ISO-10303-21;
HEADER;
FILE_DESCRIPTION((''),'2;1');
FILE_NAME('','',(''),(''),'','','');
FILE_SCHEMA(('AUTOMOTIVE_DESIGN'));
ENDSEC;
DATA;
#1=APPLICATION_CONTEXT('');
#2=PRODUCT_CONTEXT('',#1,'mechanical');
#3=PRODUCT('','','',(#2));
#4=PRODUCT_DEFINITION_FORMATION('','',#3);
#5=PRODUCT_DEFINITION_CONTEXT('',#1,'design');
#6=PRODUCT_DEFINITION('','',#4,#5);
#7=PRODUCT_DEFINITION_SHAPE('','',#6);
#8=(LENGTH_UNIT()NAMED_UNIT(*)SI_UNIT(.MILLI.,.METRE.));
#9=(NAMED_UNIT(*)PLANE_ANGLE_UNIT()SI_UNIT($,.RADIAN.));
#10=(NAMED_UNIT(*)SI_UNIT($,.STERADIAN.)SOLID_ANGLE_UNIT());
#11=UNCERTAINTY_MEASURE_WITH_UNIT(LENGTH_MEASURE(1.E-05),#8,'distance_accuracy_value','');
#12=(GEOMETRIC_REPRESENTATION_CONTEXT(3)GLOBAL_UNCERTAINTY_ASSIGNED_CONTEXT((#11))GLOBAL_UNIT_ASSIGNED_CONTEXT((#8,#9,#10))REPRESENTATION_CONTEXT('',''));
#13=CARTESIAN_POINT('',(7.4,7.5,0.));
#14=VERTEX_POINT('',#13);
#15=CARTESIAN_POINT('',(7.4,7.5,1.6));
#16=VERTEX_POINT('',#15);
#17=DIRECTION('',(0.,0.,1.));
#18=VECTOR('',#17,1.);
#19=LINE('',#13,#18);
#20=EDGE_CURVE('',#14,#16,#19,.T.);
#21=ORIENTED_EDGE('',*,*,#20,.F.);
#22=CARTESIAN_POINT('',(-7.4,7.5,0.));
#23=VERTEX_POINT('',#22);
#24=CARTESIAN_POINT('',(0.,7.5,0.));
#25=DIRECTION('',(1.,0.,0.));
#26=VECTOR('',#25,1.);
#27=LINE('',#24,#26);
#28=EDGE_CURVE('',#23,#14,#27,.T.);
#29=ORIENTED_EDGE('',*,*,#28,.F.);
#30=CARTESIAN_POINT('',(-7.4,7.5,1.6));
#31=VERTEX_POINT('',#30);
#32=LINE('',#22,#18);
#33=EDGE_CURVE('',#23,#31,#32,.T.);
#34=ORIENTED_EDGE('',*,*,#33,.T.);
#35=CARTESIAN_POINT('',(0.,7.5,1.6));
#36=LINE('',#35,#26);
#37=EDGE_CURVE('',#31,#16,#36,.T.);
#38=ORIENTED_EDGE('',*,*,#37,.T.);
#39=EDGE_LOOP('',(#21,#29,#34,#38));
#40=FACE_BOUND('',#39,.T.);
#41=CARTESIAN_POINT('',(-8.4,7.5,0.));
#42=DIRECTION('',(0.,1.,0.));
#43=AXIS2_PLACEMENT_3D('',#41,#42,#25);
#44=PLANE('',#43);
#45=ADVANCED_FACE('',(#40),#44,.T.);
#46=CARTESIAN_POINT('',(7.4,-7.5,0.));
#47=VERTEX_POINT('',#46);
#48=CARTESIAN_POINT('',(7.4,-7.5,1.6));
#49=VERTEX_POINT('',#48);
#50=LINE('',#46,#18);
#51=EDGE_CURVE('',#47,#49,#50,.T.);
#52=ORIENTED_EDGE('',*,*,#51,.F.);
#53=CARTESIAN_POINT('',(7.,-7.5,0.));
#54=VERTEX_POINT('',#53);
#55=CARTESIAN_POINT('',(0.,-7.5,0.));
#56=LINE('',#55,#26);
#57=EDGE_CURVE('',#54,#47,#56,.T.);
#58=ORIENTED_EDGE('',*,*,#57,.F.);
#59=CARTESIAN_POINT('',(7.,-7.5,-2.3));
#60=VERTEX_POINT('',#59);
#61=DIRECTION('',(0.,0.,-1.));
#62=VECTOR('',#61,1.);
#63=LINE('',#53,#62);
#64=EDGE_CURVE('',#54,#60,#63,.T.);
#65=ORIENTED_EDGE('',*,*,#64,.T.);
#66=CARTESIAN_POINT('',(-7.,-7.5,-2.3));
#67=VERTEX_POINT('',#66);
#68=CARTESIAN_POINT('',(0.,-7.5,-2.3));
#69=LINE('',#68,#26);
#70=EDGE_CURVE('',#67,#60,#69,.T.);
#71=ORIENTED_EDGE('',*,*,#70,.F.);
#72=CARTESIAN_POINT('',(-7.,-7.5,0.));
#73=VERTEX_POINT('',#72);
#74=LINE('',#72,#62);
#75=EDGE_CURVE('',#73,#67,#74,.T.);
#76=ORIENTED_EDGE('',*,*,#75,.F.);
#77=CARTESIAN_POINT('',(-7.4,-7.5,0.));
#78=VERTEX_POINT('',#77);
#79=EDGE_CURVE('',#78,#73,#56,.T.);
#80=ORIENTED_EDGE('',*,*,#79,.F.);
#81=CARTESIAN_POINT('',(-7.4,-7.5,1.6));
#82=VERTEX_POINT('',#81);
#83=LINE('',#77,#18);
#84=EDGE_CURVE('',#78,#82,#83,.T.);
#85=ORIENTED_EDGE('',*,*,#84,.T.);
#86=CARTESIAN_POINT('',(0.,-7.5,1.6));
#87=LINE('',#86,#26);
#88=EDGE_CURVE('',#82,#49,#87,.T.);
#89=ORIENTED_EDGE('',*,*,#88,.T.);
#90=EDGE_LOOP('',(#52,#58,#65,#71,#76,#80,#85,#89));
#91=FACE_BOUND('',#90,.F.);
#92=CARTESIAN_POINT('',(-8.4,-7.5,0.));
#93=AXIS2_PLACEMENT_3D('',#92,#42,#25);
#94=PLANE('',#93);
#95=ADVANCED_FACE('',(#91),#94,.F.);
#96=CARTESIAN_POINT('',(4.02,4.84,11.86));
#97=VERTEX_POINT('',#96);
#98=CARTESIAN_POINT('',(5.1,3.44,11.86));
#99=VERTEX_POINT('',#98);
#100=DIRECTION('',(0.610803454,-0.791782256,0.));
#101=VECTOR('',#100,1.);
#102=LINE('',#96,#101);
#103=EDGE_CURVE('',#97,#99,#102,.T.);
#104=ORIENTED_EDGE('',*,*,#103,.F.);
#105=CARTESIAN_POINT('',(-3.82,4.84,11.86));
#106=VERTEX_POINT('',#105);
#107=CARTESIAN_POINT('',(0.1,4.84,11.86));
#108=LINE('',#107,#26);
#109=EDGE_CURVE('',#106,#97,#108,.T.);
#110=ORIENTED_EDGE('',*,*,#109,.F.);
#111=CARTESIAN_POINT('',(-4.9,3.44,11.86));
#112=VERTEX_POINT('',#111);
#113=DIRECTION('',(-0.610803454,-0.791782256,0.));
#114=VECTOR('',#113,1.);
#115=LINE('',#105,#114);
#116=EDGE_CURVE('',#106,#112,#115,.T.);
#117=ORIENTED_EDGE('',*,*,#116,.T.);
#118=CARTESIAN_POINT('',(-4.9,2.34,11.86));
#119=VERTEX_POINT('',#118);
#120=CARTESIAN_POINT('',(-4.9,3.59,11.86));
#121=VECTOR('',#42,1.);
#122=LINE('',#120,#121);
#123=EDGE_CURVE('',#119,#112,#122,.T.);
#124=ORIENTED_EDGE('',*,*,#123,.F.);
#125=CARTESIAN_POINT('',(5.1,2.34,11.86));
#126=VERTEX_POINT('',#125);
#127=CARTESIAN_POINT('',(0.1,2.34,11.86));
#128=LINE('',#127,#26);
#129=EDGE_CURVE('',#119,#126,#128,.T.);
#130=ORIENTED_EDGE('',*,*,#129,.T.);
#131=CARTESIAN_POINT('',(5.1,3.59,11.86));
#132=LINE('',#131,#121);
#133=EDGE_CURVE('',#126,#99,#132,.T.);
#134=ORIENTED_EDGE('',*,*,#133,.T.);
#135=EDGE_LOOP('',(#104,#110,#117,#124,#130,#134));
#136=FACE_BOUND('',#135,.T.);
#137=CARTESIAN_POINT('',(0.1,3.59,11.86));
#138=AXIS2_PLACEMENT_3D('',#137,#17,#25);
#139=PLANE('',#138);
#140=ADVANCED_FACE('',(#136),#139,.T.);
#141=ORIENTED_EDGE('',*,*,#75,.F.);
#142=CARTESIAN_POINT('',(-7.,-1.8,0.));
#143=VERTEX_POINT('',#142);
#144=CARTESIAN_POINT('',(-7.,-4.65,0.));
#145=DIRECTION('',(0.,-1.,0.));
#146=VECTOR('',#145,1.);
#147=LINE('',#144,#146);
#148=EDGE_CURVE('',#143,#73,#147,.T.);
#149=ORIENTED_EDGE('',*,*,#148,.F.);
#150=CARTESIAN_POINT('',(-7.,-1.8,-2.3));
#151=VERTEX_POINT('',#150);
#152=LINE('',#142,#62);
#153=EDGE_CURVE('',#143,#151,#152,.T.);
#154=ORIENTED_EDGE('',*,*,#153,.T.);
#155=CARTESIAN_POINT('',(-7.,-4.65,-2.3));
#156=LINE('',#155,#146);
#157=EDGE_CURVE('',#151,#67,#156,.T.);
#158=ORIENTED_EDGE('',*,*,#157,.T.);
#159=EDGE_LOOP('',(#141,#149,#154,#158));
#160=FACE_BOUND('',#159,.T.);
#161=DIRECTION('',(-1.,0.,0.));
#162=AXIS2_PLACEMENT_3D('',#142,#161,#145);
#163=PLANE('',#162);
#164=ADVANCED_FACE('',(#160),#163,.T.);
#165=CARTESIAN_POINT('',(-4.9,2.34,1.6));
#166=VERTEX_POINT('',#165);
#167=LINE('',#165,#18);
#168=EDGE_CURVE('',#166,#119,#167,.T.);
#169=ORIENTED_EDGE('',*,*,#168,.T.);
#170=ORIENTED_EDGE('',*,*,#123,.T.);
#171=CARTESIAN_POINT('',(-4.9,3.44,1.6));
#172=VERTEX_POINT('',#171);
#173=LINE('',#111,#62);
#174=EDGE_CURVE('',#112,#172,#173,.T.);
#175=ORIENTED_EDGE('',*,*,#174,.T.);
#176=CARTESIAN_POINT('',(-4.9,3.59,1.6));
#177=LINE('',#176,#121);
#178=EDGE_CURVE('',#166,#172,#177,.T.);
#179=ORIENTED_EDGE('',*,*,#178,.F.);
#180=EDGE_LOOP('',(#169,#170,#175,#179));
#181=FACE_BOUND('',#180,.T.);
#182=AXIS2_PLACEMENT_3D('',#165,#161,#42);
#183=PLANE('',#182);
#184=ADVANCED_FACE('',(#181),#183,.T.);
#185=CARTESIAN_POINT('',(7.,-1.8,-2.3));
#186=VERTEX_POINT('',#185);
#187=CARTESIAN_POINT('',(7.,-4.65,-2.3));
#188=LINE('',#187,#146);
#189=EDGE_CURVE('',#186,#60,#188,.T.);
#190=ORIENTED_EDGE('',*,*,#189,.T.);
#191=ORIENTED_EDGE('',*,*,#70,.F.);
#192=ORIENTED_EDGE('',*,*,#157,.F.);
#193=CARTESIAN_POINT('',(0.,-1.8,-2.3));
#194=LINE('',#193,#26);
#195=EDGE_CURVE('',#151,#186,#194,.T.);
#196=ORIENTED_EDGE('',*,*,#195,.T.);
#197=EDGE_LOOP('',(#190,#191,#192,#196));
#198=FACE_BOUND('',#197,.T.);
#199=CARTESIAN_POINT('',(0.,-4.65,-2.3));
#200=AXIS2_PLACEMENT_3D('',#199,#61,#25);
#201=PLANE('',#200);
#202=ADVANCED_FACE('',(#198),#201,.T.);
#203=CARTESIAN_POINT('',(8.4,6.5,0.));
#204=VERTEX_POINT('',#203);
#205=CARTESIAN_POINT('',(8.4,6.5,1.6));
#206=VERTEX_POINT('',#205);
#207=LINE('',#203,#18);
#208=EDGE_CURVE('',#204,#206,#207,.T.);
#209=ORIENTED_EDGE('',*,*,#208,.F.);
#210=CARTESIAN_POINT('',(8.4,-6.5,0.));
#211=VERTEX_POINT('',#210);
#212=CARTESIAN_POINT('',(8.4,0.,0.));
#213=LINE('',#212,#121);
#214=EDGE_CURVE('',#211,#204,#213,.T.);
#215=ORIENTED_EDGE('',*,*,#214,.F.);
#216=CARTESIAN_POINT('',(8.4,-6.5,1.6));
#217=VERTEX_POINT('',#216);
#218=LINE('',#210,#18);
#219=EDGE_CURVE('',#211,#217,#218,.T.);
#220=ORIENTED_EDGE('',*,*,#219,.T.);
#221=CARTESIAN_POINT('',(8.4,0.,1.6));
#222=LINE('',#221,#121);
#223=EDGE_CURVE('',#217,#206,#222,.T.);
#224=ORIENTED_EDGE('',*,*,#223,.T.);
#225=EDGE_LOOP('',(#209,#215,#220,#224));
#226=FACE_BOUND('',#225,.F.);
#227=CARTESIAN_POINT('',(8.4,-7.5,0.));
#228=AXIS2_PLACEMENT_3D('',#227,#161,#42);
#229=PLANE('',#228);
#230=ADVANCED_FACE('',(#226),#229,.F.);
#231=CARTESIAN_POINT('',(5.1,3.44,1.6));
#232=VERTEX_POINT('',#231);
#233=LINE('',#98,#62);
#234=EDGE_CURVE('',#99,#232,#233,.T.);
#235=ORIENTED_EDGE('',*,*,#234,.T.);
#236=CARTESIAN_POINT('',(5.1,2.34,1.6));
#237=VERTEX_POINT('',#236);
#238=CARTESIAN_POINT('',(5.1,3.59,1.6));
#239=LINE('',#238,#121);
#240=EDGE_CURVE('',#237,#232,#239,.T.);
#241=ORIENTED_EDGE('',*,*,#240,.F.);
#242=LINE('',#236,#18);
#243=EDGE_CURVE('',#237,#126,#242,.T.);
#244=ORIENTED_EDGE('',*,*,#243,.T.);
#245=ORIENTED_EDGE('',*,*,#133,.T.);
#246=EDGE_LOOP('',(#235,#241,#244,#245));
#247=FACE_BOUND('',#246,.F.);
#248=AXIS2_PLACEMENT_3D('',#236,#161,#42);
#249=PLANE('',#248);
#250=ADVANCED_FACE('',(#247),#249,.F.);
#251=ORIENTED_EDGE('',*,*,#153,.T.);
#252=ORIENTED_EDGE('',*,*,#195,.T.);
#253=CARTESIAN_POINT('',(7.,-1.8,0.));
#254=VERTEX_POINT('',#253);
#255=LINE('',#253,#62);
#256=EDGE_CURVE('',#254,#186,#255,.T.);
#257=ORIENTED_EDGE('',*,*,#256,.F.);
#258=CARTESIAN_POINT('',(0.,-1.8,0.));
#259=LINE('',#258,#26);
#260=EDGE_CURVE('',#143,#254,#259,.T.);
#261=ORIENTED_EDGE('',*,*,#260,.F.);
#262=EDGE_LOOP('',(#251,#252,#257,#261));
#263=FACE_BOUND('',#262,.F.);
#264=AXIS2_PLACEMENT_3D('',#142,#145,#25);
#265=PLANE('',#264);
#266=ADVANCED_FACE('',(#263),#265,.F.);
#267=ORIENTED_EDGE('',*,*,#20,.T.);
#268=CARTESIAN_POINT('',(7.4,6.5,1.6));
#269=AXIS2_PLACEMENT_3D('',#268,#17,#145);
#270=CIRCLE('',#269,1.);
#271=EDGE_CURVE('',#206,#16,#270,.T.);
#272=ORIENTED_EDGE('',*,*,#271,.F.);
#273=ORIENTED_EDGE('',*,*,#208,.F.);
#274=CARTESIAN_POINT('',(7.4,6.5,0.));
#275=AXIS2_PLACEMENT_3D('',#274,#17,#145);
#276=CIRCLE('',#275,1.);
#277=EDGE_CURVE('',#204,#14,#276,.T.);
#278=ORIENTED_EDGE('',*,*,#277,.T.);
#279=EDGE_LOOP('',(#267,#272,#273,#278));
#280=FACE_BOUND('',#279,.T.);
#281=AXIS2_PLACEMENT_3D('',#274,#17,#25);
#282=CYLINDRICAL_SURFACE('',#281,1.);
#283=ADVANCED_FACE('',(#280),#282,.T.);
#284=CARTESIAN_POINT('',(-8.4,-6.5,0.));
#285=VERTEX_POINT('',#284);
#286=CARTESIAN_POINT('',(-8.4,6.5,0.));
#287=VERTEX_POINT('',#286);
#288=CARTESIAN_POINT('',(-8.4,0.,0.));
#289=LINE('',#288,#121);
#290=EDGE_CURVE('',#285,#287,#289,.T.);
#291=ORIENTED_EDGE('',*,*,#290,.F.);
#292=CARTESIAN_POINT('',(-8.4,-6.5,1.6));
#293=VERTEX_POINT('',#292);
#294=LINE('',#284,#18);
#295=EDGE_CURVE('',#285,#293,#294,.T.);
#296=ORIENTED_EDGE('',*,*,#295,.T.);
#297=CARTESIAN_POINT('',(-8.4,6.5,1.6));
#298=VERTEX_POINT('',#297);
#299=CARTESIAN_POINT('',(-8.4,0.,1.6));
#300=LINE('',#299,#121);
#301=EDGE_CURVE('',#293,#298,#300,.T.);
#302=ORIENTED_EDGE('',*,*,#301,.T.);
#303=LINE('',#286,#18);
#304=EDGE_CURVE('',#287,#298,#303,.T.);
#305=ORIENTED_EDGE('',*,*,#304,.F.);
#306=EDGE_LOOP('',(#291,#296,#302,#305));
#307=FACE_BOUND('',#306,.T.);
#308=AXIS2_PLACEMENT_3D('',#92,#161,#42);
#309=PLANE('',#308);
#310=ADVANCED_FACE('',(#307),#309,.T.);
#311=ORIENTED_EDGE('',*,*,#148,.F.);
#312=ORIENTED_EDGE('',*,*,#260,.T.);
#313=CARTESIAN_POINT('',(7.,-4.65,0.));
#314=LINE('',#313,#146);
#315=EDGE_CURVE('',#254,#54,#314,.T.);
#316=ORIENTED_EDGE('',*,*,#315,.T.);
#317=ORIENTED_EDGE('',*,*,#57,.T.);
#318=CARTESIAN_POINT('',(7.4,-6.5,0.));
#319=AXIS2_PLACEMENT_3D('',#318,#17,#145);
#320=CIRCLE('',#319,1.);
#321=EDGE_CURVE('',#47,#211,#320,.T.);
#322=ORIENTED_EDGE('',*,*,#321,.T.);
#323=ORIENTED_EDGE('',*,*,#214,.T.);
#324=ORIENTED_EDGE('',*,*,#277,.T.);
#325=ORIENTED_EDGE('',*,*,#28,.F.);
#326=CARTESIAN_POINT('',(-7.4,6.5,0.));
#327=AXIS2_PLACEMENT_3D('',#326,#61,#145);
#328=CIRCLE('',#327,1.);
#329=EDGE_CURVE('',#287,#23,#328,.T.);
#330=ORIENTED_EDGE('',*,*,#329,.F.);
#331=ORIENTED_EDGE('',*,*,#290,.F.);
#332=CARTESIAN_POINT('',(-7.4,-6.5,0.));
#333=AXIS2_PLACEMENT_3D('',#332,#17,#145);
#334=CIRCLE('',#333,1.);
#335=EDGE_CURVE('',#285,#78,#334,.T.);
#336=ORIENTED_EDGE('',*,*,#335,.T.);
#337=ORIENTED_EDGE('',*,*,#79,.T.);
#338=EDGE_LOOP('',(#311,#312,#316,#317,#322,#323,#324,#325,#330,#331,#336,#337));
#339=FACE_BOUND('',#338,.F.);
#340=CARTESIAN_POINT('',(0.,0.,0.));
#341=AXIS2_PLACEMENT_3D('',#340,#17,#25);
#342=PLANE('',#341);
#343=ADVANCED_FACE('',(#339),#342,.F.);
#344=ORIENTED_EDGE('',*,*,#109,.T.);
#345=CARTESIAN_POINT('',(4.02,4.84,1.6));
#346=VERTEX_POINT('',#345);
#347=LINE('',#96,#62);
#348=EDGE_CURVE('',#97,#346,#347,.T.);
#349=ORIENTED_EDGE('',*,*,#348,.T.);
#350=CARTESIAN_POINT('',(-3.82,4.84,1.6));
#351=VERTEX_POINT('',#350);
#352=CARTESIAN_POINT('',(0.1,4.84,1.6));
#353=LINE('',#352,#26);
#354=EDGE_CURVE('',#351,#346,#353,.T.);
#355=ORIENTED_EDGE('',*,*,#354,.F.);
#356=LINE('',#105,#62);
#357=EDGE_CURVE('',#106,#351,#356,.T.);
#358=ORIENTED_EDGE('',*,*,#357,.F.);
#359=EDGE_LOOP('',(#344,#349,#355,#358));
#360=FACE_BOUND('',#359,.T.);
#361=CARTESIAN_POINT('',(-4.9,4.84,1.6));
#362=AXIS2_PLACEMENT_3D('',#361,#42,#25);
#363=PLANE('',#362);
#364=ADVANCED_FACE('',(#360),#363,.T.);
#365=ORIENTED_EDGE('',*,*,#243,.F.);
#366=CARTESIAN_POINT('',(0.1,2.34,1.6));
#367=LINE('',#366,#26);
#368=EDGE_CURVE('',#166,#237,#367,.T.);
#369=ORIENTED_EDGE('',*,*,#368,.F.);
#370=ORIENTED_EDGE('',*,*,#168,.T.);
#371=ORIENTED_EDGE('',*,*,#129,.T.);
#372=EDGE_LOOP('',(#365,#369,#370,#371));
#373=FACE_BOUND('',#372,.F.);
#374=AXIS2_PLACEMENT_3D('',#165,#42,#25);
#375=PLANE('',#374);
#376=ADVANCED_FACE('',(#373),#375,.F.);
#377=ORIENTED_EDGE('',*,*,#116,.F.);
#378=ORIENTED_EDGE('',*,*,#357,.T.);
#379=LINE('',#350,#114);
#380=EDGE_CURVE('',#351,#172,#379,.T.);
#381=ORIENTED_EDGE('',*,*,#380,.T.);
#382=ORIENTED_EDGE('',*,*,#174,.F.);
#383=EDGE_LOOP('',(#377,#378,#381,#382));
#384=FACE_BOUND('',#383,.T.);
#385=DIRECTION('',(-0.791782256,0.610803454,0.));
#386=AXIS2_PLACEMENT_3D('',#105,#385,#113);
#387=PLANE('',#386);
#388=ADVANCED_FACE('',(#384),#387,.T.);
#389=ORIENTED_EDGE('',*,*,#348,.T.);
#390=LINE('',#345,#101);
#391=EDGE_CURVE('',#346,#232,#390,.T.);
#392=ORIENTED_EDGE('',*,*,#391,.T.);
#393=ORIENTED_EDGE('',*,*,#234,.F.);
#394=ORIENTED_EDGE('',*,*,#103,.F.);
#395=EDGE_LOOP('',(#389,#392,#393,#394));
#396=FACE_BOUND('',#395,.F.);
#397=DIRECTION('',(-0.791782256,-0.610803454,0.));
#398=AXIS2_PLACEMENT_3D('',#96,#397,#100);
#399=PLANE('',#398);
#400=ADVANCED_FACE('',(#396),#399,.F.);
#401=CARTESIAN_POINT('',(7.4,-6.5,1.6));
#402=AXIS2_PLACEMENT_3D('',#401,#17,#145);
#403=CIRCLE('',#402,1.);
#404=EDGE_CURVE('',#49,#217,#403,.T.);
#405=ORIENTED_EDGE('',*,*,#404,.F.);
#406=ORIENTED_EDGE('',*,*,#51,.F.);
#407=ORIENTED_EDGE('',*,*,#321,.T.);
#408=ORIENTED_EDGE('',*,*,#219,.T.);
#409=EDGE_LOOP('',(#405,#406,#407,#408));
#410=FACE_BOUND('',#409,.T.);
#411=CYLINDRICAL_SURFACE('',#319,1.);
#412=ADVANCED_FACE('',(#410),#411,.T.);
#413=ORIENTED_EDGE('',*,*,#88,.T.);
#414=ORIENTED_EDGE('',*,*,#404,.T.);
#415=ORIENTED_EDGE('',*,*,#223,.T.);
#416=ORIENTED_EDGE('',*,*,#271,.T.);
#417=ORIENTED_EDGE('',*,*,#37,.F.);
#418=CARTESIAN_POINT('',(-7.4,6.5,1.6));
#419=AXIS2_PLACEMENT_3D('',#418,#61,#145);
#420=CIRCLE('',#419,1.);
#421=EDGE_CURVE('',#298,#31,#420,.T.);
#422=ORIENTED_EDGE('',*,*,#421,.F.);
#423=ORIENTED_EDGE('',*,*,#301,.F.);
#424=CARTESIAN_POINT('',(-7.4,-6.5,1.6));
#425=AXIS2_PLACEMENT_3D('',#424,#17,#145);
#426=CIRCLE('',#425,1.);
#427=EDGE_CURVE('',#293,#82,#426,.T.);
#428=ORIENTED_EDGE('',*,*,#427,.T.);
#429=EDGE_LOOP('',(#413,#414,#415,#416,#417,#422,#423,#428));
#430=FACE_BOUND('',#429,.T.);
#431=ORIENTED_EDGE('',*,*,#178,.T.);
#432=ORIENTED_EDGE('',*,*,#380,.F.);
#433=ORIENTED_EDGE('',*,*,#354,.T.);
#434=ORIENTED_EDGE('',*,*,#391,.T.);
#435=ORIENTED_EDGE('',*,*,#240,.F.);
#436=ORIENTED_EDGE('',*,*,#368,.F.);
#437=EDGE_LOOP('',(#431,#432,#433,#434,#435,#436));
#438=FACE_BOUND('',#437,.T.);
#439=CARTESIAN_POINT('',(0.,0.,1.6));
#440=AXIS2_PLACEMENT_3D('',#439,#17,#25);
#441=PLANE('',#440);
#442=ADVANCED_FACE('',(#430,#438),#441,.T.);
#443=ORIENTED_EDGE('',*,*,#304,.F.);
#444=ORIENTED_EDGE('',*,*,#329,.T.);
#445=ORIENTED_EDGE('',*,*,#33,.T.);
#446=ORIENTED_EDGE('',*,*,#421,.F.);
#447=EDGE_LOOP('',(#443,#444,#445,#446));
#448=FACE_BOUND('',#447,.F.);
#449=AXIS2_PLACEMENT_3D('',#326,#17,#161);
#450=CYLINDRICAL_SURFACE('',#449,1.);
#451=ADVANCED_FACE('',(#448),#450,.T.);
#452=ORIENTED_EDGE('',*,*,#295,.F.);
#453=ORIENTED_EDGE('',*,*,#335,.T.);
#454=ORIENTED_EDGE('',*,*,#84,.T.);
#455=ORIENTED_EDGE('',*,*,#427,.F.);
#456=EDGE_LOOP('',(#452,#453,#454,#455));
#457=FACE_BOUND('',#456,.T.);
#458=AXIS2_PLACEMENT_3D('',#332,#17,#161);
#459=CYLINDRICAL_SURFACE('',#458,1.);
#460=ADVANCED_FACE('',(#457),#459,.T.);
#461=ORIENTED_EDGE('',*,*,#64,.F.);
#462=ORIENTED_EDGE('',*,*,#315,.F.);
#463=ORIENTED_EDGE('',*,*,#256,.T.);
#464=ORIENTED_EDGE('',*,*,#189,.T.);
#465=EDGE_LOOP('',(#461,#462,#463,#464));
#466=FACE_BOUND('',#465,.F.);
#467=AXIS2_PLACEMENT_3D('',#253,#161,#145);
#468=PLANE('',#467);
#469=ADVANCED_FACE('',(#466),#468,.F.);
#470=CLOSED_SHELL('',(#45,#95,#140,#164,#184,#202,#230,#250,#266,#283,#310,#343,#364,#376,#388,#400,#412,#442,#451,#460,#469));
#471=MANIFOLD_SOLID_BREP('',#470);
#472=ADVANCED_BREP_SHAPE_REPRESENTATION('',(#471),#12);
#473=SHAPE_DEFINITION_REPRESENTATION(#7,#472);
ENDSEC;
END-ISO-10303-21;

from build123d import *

# Parameters (mm, degrees)
SKETCH_W     = 16.8
SKETCH_H     = 15
PAD_DEPTH    = 1.6
FILLET_R     = 1
SKETCH001_W  = 10
SKETCH001_H  = 2.5
PAD001_DEPTH = 10.26
POCKET_DEPTH = 10.26
SKETCH003_W  = 14
SKETCH003_H  = 5.7
PAD002_DEPTH = 2.3


with BuildPart() as part:
    # Sketch → Pad (new body)
    with BuildSketch(Plane.XY):
        Rectangle(SKETCH_W, SKETCH_H)
    extrude(amount=PAD_DEPTH)

    # Fillet
    fillet_edges = [part.edges().sort_by_distance(p)[0] for p in [
        (8.4, 7.5, 0.8),
        (8.4, -7.5, 0.8),
        (-8.4, -7.5, 0.8),
        (-8.4, 7.5, 0.8),
    ]]
    fillet(fillet_edges, radius=FILLET_R)

    # Sketch001 (on Face5 of Fillet) → Pad001 (join)
    with BuildSketch(Plane.XY.offset(1.6)):
        with Locations((0.1, 3.59)):
            Rectangle(SKETCH001_W, SKETCH001_H)
    extrude(amount=PAD001_DEPTH)

    # Sketch002 (on Face15 of Pad001) → Pocket (cut)
    with BuildSketch(Plane.XY.offset(11.86)):
        Polygon((-4.9, 3.44), (-4.9, 4.84), (-3.82, 4.84), align=None)
        Polygon((5.1, 4.84), (4.02, 4.84), (5.1, 3.44), align=None)
    extrude(amount=-POCKET_DEPTH, mode=Mode.SUBTRACT)

    # Sketch003 (on Face2 of Pocket) → Pad002 (join)
    with BuildSketch(Plane(origin=(0, 0, 0), x_dir=(1, 0, 0), z_dir=(0, 0, -1))):
        with Locations((0, 4.65)):
            Rectangle(SKETCH003_W, SKETCH003_H)
    extrude(amount=PAD002_DEPTH)


solid = part.part
